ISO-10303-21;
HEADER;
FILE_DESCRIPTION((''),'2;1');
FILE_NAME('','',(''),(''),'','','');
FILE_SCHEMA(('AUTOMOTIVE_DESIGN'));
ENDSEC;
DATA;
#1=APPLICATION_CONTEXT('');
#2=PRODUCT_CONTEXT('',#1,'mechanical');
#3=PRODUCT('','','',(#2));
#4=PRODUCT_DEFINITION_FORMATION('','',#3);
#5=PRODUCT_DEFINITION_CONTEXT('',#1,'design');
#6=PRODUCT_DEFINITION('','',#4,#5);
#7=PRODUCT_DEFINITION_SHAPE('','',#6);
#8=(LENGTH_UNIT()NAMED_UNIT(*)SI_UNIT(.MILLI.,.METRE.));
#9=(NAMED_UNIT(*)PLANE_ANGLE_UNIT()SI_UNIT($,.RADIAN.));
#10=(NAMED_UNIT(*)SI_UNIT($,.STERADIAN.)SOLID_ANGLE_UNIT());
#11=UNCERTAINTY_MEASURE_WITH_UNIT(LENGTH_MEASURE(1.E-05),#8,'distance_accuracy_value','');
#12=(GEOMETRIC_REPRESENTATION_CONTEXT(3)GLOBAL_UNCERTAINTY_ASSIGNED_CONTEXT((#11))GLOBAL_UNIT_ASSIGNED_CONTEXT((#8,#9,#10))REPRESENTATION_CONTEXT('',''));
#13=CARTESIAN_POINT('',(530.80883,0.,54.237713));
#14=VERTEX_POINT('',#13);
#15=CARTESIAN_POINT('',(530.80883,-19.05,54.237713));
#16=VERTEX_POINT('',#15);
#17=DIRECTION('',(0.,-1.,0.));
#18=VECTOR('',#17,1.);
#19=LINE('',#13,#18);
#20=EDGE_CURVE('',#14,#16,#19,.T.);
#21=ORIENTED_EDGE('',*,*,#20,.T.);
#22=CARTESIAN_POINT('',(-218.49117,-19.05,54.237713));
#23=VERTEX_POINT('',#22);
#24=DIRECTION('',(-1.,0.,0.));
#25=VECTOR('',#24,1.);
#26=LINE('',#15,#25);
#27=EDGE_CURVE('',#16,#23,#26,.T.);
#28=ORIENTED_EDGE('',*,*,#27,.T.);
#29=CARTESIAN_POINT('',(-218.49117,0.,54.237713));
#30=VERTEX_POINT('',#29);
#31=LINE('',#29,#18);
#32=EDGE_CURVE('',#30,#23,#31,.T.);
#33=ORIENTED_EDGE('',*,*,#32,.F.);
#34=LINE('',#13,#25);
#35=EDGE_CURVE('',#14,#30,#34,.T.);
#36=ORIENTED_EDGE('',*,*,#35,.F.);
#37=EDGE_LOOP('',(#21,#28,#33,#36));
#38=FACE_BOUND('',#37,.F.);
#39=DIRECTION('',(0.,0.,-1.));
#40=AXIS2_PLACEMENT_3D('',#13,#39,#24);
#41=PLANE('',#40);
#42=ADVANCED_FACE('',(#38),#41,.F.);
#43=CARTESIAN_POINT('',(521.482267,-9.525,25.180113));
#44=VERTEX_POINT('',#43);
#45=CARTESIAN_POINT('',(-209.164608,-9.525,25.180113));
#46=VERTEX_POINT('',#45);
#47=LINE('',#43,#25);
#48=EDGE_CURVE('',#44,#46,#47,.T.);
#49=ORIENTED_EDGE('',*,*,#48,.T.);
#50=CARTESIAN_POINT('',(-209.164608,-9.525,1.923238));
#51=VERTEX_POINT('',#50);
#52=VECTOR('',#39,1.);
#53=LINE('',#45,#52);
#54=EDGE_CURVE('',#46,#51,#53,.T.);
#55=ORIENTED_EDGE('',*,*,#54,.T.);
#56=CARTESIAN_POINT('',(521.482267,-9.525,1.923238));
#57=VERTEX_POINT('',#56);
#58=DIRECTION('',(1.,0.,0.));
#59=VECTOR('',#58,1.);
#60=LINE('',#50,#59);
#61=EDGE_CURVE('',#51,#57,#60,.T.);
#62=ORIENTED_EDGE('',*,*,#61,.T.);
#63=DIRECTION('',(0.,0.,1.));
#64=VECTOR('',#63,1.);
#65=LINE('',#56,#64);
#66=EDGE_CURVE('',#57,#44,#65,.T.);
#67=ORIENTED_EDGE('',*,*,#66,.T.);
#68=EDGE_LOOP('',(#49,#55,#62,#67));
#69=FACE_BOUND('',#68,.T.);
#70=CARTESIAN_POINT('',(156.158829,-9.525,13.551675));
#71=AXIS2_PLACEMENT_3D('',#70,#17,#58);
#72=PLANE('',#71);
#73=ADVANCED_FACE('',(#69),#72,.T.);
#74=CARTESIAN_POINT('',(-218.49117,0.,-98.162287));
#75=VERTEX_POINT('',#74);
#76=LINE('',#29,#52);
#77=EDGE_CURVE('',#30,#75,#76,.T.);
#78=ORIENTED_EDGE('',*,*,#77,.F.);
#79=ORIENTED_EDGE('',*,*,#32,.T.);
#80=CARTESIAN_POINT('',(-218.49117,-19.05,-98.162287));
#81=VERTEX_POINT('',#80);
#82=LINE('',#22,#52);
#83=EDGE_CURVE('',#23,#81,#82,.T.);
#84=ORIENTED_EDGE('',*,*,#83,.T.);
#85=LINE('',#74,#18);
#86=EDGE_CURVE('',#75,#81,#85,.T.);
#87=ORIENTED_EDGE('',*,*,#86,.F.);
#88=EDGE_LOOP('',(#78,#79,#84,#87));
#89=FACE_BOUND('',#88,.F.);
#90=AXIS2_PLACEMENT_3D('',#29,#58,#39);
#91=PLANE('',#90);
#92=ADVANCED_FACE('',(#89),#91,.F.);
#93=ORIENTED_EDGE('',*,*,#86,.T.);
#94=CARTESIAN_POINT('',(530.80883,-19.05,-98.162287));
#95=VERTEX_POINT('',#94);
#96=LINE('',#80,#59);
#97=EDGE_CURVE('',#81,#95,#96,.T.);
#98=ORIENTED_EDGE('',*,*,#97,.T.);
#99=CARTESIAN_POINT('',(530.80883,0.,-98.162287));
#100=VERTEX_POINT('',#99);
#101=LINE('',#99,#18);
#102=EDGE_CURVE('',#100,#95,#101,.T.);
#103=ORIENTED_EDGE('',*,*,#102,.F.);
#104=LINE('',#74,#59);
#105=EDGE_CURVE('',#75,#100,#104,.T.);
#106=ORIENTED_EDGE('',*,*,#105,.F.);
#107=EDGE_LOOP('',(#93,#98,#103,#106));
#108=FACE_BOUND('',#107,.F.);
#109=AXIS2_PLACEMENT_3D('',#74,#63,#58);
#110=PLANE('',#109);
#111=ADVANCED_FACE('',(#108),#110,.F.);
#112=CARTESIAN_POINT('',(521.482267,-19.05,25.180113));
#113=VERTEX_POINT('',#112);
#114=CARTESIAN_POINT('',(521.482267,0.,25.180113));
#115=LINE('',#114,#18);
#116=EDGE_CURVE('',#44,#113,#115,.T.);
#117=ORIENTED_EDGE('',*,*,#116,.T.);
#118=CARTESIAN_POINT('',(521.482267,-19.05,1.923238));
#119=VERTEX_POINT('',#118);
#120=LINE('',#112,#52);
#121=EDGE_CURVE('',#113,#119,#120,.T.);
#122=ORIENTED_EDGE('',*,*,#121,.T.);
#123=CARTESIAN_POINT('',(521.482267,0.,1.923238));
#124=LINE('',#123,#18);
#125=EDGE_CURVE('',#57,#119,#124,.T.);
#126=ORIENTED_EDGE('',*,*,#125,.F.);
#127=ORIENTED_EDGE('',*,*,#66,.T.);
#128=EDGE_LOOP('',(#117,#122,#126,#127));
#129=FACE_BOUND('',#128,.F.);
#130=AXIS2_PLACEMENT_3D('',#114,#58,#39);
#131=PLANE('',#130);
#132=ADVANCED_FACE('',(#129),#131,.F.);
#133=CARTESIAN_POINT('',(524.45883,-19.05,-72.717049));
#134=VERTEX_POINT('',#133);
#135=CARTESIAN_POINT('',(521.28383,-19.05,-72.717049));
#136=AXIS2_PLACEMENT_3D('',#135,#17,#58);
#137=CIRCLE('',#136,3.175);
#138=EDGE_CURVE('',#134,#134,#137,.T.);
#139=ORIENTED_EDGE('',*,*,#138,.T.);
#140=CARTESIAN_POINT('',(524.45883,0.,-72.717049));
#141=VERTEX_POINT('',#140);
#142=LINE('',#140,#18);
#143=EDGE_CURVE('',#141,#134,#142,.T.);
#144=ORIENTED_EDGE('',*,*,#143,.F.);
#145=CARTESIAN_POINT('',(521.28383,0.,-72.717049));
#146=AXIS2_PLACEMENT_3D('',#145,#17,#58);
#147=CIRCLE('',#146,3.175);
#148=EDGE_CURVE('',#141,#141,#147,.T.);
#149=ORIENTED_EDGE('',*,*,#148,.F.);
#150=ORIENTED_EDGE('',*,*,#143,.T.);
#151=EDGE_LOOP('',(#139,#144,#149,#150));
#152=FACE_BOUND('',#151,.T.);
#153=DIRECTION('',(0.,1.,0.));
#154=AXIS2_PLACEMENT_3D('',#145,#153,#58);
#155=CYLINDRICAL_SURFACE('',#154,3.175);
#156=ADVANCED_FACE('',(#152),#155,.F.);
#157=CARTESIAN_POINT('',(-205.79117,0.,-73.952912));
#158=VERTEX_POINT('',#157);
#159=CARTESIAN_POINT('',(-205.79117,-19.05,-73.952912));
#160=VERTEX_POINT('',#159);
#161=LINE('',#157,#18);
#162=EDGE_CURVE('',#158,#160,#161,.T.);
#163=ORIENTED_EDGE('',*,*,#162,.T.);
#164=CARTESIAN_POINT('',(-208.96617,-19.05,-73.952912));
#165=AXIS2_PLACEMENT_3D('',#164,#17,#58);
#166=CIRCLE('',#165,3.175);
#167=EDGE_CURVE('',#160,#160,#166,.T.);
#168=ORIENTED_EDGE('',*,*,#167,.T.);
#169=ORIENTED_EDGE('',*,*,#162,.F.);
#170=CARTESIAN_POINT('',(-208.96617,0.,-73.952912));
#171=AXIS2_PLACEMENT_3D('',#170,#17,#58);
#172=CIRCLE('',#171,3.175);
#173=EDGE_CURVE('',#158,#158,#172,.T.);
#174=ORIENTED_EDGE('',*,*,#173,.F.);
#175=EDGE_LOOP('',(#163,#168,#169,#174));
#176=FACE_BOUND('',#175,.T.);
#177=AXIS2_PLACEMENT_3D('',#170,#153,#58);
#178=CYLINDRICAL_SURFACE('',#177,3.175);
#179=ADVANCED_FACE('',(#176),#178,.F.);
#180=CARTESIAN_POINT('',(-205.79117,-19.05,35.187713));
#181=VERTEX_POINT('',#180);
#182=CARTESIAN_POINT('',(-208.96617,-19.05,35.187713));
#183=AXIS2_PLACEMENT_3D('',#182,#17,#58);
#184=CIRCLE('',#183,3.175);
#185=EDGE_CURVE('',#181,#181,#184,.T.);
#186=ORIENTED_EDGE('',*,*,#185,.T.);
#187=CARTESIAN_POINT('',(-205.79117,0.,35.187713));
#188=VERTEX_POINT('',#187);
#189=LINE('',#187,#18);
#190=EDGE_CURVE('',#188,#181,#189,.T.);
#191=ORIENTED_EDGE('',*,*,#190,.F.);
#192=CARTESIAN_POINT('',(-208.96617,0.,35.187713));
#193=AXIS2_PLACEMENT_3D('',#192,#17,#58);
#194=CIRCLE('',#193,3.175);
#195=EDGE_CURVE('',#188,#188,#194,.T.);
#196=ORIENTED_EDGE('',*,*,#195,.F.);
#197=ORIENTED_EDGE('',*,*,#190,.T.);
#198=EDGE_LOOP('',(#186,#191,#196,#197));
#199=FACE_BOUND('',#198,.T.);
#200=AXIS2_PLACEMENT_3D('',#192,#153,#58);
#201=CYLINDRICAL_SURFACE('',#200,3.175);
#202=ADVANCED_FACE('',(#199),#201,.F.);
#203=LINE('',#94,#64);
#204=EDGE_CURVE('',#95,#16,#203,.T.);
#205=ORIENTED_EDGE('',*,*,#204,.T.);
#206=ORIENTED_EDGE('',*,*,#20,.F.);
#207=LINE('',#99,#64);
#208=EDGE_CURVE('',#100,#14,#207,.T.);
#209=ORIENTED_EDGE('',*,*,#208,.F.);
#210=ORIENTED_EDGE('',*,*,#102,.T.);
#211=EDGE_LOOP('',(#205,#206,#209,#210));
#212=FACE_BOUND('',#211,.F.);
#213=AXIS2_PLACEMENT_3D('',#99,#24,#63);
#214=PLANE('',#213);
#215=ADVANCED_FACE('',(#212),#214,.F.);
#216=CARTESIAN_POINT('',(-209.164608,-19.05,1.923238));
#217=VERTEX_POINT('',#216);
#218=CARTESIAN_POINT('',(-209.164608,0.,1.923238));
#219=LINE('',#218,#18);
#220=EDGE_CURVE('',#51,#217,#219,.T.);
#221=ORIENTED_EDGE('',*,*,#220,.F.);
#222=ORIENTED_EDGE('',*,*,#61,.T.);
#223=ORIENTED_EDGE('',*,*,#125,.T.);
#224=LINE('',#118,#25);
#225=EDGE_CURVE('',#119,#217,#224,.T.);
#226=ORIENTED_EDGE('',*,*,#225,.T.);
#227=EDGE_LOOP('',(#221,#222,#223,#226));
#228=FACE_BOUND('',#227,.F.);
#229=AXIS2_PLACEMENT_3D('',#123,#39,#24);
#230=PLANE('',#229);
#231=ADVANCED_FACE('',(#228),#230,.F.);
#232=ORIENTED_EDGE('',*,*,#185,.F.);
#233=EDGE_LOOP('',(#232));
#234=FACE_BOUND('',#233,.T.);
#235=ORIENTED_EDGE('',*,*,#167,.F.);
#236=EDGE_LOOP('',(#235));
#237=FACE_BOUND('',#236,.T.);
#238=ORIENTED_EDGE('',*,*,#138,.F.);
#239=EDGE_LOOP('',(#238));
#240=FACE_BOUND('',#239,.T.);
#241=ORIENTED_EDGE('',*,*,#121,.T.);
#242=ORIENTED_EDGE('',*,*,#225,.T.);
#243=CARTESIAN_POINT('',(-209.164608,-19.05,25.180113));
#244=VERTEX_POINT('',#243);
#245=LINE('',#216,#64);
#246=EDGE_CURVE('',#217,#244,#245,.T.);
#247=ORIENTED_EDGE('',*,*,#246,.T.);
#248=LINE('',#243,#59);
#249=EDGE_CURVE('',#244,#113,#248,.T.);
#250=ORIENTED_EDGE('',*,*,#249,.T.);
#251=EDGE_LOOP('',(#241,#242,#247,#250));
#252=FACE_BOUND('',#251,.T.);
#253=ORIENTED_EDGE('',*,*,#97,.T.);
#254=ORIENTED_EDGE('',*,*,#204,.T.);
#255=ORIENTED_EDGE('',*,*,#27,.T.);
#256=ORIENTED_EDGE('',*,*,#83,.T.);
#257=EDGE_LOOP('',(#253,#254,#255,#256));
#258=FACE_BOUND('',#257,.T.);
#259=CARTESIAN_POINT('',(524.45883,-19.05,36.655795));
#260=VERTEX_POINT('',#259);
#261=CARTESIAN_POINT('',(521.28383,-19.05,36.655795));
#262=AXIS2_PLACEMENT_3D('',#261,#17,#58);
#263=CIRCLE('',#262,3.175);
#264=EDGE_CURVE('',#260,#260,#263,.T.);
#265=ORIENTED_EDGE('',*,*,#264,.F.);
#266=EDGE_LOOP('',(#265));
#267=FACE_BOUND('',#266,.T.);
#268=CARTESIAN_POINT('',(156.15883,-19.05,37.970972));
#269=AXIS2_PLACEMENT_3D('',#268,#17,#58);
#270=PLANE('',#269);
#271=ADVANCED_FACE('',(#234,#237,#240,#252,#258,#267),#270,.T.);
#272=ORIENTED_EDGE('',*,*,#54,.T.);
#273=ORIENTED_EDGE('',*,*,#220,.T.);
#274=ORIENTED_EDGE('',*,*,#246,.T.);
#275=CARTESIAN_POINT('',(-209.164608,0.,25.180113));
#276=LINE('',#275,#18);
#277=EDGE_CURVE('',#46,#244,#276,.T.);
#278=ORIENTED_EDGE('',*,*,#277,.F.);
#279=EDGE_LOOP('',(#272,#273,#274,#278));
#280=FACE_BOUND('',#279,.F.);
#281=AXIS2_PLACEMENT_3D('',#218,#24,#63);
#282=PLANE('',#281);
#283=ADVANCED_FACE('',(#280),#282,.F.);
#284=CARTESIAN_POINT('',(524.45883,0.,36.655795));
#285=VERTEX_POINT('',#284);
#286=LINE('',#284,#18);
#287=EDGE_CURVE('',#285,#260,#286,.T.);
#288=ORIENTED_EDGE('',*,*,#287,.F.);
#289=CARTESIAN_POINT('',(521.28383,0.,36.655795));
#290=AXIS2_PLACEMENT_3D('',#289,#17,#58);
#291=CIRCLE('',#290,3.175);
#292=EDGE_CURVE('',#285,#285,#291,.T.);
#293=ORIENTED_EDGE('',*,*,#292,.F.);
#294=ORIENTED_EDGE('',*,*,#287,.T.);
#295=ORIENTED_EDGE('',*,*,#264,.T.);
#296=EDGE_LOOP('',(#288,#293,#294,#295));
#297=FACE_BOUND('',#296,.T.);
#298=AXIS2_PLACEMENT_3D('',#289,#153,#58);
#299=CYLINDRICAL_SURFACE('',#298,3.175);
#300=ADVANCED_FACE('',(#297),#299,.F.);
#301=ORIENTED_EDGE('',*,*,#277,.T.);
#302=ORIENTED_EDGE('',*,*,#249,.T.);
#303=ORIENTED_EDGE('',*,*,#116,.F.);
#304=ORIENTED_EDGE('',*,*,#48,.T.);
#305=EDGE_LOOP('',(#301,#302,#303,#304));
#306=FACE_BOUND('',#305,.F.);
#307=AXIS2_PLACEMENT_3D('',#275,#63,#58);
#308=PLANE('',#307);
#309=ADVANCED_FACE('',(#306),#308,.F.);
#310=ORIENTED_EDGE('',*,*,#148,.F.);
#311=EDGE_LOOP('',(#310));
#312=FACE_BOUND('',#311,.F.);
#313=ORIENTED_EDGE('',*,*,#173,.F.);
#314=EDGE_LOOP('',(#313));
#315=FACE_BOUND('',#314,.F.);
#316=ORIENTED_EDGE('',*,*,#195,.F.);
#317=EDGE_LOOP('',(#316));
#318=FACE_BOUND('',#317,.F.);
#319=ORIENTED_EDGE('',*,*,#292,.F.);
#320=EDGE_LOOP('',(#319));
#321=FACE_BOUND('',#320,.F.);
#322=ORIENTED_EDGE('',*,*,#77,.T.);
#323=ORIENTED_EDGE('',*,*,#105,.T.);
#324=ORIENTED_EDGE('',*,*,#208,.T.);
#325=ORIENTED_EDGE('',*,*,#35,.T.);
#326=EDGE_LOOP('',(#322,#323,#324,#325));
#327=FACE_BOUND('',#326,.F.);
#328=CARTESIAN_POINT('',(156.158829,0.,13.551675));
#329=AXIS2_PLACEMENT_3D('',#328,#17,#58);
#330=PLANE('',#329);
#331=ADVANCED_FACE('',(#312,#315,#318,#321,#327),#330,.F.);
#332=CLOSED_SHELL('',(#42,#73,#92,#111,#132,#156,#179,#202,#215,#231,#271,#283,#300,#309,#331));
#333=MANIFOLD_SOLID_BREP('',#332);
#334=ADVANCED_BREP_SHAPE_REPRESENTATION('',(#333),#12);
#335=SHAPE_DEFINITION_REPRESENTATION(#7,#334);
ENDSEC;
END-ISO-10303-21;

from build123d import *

# Parameters (mm, degrees)
F0_R     = 3.175
F1_DEPTH = 19.05
F2_DEPTH = 9.525


with BuildPart() as f1:
    # F0 (on Front) → F1 (new body)
    with BuildSketch(Plane.XZ):
        Polygon((-199.44117, 54.237713), (-218.49117, 54.237713), (-218.49117, 1.923238), (-209.164608, 1.923238), (-209.164608, 13.551676), (-209.164608, 25.180113), (521.482267, 25.180113), (521.482267, 13.551676), (521.482267, 1.923238), (530.80883, 1.923238), (530.80883, 54.237713), (511.75883, 54.237713), align=None)
        with Locations((-208.96617, 35.187713)):
            Circle(F0_R, mode=Mode.SUBTRACT)
        with Locations((521.28383, 36.655795)):
            Circle(F0_R, mode=Mode.SUBTRACT)
        Polygon((-209.164608, 1.923238), (-218.49117, 1.923238), (-218.49117, -98.162287), (-199.44117, -98.162287), (511.75883, -98.162287), (530.80883, -98.162287), (530.80883, 1.923238), (521.482267, 1.923238), align=None)
        with Locations((-208.96617, -73.952912)):
            Circle(F0_R, mode=Mode.SUBTRACT)
        with Locations((521.28383, -72.717049)):
            Circle(F0_R, mode=Mode.SUBTRACT)
    extrude(amount=F1_DEPTH)

    # F0 (on Front) → F2 (join)
    with BuildSketch(Plane.XZ):
        Polygon((-209.164608, 13.551676), (-209.164608, 1.923238), (521.482267, 1.923238), (521.482267, 13.551676), (521.482267, 25.180113), (-209.164608, 25.180113), align=None)
    extrude(amount=F2_DEPTH)


solid = f1.part
